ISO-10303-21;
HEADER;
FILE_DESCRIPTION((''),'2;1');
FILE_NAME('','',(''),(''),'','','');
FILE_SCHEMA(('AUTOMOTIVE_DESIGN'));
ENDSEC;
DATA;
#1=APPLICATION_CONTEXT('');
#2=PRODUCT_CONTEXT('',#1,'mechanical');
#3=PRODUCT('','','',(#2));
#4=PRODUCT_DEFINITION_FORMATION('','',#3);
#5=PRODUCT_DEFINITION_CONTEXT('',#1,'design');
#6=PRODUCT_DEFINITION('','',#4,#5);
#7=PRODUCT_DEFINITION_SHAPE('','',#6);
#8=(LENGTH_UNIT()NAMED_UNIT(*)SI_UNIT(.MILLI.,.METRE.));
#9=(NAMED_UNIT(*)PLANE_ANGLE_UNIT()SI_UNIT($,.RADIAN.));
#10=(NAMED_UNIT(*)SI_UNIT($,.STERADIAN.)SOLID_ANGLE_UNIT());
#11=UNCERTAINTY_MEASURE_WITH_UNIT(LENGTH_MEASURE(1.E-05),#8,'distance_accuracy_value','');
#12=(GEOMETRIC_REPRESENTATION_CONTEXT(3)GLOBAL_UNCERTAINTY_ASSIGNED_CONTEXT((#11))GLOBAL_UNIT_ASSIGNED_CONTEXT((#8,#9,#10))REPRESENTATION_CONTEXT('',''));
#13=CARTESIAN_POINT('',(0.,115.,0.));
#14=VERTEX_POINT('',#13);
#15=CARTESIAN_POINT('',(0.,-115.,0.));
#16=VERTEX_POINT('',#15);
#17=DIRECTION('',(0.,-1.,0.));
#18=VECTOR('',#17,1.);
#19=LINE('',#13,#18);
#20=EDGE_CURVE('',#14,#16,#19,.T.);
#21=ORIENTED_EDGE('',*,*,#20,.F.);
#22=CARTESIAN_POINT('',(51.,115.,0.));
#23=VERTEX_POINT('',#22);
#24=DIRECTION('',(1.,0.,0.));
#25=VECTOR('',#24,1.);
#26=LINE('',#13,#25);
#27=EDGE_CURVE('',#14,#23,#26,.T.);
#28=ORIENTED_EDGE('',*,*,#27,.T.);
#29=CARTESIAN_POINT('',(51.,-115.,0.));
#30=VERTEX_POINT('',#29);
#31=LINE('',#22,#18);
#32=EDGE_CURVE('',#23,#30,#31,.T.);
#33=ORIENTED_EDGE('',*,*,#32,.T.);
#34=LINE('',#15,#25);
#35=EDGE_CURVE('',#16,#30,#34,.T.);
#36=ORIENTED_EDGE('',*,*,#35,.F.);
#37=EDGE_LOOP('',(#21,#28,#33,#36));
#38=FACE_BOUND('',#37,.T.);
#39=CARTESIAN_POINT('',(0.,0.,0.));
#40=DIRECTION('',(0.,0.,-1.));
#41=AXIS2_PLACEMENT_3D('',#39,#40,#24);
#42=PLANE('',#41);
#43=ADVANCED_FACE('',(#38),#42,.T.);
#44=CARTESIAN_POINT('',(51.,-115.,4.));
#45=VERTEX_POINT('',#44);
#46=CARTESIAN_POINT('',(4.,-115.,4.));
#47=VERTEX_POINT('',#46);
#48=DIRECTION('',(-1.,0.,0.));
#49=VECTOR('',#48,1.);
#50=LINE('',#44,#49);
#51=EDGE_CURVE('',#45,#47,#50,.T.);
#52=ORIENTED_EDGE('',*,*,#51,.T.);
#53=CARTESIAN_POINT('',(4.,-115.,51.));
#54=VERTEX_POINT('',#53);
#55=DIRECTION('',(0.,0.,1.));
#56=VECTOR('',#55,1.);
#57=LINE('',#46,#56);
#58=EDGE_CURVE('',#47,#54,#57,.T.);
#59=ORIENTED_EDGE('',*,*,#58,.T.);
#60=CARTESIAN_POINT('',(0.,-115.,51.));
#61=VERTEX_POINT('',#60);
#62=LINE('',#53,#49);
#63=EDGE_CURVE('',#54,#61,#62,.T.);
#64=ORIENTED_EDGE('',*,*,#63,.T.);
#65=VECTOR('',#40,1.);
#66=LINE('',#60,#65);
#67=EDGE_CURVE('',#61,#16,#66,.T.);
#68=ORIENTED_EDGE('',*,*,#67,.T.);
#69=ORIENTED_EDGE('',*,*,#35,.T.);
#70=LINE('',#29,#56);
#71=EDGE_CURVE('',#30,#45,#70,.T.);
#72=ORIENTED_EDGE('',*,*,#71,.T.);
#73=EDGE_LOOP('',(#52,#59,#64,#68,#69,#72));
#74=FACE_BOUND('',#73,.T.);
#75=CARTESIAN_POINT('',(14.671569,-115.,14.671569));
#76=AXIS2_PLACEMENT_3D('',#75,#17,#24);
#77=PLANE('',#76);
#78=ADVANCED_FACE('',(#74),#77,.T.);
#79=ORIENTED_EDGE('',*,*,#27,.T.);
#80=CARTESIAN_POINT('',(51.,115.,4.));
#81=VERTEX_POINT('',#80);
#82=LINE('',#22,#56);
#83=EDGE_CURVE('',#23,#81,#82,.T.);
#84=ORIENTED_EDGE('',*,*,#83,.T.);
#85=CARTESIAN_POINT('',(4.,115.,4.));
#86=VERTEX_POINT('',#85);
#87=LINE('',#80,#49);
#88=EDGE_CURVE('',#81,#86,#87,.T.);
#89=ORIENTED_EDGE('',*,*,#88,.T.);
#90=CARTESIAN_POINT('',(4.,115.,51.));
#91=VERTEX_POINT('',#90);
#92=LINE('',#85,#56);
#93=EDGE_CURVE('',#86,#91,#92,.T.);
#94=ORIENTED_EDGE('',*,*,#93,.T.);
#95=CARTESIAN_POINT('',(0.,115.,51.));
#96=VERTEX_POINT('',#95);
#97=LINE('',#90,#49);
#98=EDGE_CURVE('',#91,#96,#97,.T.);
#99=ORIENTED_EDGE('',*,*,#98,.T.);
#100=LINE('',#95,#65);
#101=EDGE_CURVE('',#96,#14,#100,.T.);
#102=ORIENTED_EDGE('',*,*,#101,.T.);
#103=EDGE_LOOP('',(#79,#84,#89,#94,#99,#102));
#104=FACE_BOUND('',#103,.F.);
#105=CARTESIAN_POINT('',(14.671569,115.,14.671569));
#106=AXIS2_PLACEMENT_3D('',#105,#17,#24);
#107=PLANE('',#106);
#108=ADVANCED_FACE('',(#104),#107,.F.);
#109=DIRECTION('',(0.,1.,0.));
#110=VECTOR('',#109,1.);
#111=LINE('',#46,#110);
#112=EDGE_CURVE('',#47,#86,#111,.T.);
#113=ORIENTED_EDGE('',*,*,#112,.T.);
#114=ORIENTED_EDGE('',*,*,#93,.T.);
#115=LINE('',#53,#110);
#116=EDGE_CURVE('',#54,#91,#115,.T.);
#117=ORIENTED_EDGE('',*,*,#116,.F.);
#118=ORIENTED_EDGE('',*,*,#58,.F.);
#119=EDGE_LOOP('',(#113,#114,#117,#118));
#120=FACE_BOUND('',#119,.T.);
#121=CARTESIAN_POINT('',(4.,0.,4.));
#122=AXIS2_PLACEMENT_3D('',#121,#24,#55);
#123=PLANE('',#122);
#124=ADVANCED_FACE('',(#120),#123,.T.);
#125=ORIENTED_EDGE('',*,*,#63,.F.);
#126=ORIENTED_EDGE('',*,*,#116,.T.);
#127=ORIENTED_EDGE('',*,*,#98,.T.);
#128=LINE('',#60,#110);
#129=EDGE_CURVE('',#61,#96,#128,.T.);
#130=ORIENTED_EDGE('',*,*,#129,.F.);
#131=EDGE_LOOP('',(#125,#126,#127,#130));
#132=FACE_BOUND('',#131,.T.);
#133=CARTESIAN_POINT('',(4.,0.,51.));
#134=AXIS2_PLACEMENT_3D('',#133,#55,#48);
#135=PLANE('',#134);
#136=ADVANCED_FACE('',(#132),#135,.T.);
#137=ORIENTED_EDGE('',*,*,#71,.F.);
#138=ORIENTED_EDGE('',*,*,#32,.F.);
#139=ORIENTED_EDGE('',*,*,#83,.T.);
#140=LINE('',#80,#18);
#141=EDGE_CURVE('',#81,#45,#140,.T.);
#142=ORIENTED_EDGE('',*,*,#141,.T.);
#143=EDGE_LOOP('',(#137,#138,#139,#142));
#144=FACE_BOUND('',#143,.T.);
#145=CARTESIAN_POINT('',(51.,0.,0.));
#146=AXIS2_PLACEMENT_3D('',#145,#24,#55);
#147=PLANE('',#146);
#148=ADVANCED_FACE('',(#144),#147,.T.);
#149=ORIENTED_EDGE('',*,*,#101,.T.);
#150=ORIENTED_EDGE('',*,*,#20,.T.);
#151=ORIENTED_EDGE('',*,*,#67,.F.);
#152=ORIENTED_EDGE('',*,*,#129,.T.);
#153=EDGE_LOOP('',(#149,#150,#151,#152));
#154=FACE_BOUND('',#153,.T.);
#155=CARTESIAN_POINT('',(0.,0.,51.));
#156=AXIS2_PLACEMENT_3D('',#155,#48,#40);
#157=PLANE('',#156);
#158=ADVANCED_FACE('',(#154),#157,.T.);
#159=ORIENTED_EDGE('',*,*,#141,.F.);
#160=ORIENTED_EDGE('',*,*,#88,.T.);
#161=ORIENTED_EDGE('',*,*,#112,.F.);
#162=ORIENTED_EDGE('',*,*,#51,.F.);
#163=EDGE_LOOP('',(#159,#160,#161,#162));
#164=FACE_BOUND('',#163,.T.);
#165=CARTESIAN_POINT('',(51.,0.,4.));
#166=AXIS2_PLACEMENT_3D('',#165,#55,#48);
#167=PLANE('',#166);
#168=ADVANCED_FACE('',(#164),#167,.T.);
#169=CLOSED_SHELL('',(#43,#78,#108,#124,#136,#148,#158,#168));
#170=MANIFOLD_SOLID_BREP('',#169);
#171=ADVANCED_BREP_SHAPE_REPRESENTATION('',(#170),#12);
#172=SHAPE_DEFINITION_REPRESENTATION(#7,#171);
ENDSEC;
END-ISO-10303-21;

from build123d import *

# Parameters (mm, degrees)
PAD_DEPTH = 115


with BuildPart() as part:
    # Sketch → Pad (new body, symmetric)
    with BuildSketch(Plane.XZ):
        Polygon((0, 51), (0, 0), (51, 0), (51, 4), (4, 4), (4, 51), align=None)
    extrude(amount=PAD_DEPTH, both=True)


solid = part.part
